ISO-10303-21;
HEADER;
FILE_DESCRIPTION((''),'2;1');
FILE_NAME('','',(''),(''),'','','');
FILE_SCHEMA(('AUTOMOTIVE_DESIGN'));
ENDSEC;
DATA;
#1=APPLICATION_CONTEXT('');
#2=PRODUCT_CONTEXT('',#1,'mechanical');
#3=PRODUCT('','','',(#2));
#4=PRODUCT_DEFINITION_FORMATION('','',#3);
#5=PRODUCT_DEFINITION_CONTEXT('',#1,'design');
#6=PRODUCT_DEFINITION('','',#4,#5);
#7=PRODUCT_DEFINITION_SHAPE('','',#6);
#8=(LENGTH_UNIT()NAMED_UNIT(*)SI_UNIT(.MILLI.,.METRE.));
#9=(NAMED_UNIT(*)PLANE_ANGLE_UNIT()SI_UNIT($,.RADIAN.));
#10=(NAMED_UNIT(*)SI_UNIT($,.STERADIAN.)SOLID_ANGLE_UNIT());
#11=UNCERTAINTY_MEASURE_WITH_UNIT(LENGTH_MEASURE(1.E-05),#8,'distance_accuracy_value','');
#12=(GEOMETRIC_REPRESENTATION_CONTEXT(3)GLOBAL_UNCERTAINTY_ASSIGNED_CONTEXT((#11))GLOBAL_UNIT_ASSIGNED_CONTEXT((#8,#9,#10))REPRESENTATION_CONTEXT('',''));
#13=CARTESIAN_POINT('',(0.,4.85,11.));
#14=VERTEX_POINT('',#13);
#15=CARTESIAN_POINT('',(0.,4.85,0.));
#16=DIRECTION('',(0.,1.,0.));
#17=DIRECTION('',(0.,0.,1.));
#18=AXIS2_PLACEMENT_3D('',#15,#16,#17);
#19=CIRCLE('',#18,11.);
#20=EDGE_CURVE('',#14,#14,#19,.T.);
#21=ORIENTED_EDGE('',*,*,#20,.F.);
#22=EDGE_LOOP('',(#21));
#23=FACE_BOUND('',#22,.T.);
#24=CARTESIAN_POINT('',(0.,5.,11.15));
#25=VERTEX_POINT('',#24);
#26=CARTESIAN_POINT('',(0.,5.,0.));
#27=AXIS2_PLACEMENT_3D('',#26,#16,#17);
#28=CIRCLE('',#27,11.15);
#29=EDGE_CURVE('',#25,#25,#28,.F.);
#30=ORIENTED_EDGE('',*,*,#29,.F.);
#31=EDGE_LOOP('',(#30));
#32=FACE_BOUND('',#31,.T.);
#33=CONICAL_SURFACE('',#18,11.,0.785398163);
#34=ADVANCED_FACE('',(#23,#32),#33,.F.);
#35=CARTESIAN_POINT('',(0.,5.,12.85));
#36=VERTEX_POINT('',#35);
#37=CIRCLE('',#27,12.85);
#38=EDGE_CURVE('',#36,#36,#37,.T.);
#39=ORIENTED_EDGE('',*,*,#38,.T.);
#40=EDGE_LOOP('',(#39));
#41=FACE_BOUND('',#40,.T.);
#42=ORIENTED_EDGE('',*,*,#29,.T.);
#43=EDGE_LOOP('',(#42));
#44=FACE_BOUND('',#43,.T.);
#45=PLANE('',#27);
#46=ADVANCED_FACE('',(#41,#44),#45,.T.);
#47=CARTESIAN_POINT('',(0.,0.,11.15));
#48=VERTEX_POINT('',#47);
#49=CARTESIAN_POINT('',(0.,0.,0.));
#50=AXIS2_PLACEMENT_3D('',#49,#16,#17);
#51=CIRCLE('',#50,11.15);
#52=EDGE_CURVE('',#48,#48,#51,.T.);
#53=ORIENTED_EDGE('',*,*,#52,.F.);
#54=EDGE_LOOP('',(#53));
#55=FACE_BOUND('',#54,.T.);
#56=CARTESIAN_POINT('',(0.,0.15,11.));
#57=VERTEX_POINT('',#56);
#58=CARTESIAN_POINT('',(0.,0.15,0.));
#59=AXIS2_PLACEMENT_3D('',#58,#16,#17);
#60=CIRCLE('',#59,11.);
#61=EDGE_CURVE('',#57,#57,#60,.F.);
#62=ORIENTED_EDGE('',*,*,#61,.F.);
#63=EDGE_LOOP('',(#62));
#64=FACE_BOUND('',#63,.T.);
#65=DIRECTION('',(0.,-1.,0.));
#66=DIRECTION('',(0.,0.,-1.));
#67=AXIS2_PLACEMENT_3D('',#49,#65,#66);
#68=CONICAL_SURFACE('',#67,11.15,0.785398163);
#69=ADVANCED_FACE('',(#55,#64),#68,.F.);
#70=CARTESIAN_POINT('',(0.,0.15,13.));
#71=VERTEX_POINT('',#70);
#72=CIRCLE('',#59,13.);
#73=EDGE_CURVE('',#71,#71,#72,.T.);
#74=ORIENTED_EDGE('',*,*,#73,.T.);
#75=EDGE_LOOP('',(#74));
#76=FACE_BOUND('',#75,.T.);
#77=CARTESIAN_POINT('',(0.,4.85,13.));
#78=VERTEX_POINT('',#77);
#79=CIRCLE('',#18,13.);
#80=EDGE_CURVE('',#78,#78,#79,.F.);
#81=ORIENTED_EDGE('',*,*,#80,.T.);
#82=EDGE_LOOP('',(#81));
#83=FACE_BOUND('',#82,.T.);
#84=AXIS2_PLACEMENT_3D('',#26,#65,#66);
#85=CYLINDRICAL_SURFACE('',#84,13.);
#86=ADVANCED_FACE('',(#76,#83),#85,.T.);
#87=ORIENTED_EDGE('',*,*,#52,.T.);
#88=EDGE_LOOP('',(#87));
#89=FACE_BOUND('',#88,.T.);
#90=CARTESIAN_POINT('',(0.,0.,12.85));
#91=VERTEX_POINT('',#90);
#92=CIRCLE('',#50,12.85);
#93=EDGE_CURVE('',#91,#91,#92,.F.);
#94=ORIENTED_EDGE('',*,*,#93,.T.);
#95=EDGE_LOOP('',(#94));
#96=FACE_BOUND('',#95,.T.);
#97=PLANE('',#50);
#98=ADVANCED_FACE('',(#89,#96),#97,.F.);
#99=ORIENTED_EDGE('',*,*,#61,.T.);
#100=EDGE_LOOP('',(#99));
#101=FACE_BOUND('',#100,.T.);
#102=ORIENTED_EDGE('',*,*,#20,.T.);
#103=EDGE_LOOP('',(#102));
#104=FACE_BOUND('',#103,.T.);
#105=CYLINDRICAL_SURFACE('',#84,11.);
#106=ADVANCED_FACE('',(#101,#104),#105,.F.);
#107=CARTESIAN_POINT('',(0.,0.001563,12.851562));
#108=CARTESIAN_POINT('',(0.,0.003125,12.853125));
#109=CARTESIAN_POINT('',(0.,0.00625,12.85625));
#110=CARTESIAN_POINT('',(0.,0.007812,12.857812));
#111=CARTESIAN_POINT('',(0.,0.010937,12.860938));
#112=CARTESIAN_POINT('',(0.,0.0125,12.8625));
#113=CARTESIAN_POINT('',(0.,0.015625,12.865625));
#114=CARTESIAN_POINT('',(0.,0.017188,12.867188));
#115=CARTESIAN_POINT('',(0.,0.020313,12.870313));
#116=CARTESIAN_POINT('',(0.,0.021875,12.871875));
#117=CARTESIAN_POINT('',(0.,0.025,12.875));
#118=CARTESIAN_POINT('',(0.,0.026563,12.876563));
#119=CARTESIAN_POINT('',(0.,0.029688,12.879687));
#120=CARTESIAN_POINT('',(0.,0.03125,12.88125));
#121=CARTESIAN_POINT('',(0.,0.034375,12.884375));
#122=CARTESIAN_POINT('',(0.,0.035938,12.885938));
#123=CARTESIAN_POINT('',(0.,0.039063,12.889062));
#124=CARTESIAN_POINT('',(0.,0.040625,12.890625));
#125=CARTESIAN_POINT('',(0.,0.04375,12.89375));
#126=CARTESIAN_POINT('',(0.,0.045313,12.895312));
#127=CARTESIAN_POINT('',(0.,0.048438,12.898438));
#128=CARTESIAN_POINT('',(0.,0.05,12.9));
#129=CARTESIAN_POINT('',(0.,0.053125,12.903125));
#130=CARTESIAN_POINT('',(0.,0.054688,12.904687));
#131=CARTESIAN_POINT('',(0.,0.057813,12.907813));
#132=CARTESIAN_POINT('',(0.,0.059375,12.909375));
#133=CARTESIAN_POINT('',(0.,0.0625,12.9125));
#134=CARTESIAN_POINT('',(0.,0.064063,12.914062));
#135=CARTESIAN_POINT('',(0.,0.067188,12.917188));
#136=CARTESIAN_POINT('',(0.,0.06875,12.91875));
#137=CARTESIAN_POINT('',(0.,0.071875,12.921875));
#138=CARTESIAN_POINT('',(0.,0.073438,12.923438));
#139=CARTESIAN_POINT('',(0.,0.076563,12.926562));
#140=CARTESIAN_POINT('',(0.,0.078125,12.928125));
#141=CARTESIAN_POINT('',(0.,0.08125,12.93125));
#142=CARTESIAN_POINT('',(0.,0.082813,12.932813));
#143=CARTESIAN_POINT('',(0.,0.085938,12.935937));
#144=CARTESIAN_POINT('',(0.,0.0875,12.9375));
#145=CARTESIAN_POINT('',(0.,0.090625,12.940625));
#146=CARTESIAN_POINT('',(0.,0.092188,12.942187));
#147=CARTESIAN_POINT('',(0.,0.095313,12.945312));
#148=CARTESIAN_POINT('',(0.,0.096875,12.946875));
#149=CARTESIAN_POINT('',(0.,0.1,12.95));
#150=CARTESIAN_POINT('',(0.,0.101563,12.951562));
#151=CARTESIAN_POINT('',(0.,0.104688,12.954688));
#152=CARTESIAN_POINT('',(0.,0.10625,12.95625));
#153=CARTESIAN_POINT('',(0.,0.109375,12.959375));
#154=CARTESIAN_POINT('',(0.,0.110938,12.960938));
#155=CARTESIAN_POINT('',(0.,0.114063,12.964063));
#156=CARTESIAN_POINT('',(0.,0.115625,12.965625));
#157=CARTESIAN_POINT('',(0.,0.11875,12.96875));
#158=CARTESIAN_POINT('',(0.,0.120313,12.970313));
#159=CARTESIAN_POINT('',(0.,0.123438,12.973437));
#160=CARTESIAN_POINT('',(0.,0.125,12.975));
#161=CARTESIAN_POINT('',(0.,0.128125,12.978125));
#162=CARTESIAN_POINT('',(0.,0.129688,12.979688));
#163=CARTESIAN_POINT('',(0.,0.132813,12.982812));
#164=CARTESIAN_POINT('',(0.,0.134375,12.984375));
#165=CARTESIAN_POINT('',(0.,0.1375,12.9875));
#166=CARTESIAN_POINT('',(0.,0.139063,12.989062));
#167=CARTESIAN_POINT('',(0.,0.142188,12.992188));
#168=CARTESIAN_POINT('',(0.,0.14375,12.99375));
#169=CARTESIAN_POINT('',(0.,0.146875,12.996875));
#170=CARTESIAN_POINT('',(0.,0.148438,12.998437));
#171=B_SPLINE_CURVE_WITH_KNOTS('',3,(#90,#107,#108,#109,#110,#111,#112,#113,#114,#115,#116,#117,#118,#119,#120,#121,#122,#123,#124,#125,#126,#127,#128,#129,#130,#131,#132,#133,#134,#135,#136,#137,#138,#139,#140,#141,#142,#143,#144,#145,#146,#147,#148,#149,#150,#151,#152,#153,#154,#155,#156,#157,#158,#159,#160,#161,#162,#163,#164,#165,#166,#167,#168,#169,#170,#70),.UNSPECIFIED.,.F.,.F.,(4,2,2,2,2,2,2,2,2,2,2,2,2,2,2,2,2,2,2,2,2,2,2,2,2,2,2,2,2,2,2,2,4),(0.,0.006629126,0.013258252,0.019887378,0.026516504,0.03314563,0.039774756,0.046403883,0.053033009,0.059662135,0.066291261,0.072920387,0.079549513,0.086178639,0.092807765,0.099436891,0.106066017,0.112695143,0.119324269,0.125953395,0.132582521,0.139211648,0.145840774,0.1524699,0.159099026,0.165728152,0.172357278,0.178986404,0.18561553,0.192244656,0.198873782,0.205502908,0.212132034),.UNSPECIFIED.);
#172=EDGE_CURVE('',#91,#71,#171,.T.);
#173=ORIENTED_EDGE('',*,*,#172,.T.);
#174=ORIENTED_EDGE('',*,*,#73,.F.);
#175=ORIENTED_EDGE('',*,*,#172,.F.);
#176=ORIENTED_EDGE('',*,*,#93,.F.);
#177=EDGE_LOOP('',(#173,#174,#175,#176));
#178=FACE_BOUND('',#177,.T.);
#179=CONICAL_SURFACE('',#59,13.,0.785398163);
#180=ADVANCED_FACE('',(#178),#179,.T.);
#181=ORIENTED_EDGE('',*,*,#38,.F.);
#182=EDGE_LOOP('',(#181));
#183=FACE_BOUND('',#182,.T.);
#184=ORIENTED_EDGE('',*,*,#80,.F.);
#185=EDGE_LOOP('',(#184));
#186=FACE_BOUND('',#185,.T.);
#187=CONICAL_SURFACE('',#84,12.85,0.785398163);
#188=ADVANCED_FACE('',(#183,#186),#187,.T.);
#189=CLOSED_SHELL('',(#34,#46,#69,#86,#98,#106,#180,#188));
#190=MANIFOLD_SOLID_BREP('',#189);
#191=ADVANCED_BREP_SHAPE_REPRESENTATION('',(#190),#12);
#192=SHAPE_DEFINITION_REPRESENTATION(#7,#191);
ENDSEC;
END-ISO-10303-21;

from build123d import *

# Parameters (mm, degrees)
SKETCH1_R           = 13
SKETCH1_R_2         = 11
BOSS_EXTRUDE1_DEPTH = 5
CHAMFER1_SIZE       = 0.15


with BuildPart() as part:
    # Sketch1 → Boss-Extrude1 (new body)
    with BuildSketch(Plane(origin=(0, 0, 0), x_dir=(1, 0, 0), z_dir=(0, 1, 0))):
        with Locations(Location((0, 0, 0), (0, 0, 270))):
            Circle(SKETCH1_R)
        with Locations(Location((0, 0, 0), (0, 0, 270))):
            Circle(SKETCH1_R_2, mode=Mode.SUBTRACT)
    extrude(amount=BOSS_EXTRUDE1_DEPTH)

    # Chamfer1
    chamfer1_edges = [part.edges().sort_by_distance(p)[0] for p in [
        (0, 0, -13),
        (0, 5, -13),
        (0, 0, -11),
        (0, 5, -11),
    ]]
    chamfer(chamfer1_edges, length=CHAMFER1_SIZE)


solid = part.part
